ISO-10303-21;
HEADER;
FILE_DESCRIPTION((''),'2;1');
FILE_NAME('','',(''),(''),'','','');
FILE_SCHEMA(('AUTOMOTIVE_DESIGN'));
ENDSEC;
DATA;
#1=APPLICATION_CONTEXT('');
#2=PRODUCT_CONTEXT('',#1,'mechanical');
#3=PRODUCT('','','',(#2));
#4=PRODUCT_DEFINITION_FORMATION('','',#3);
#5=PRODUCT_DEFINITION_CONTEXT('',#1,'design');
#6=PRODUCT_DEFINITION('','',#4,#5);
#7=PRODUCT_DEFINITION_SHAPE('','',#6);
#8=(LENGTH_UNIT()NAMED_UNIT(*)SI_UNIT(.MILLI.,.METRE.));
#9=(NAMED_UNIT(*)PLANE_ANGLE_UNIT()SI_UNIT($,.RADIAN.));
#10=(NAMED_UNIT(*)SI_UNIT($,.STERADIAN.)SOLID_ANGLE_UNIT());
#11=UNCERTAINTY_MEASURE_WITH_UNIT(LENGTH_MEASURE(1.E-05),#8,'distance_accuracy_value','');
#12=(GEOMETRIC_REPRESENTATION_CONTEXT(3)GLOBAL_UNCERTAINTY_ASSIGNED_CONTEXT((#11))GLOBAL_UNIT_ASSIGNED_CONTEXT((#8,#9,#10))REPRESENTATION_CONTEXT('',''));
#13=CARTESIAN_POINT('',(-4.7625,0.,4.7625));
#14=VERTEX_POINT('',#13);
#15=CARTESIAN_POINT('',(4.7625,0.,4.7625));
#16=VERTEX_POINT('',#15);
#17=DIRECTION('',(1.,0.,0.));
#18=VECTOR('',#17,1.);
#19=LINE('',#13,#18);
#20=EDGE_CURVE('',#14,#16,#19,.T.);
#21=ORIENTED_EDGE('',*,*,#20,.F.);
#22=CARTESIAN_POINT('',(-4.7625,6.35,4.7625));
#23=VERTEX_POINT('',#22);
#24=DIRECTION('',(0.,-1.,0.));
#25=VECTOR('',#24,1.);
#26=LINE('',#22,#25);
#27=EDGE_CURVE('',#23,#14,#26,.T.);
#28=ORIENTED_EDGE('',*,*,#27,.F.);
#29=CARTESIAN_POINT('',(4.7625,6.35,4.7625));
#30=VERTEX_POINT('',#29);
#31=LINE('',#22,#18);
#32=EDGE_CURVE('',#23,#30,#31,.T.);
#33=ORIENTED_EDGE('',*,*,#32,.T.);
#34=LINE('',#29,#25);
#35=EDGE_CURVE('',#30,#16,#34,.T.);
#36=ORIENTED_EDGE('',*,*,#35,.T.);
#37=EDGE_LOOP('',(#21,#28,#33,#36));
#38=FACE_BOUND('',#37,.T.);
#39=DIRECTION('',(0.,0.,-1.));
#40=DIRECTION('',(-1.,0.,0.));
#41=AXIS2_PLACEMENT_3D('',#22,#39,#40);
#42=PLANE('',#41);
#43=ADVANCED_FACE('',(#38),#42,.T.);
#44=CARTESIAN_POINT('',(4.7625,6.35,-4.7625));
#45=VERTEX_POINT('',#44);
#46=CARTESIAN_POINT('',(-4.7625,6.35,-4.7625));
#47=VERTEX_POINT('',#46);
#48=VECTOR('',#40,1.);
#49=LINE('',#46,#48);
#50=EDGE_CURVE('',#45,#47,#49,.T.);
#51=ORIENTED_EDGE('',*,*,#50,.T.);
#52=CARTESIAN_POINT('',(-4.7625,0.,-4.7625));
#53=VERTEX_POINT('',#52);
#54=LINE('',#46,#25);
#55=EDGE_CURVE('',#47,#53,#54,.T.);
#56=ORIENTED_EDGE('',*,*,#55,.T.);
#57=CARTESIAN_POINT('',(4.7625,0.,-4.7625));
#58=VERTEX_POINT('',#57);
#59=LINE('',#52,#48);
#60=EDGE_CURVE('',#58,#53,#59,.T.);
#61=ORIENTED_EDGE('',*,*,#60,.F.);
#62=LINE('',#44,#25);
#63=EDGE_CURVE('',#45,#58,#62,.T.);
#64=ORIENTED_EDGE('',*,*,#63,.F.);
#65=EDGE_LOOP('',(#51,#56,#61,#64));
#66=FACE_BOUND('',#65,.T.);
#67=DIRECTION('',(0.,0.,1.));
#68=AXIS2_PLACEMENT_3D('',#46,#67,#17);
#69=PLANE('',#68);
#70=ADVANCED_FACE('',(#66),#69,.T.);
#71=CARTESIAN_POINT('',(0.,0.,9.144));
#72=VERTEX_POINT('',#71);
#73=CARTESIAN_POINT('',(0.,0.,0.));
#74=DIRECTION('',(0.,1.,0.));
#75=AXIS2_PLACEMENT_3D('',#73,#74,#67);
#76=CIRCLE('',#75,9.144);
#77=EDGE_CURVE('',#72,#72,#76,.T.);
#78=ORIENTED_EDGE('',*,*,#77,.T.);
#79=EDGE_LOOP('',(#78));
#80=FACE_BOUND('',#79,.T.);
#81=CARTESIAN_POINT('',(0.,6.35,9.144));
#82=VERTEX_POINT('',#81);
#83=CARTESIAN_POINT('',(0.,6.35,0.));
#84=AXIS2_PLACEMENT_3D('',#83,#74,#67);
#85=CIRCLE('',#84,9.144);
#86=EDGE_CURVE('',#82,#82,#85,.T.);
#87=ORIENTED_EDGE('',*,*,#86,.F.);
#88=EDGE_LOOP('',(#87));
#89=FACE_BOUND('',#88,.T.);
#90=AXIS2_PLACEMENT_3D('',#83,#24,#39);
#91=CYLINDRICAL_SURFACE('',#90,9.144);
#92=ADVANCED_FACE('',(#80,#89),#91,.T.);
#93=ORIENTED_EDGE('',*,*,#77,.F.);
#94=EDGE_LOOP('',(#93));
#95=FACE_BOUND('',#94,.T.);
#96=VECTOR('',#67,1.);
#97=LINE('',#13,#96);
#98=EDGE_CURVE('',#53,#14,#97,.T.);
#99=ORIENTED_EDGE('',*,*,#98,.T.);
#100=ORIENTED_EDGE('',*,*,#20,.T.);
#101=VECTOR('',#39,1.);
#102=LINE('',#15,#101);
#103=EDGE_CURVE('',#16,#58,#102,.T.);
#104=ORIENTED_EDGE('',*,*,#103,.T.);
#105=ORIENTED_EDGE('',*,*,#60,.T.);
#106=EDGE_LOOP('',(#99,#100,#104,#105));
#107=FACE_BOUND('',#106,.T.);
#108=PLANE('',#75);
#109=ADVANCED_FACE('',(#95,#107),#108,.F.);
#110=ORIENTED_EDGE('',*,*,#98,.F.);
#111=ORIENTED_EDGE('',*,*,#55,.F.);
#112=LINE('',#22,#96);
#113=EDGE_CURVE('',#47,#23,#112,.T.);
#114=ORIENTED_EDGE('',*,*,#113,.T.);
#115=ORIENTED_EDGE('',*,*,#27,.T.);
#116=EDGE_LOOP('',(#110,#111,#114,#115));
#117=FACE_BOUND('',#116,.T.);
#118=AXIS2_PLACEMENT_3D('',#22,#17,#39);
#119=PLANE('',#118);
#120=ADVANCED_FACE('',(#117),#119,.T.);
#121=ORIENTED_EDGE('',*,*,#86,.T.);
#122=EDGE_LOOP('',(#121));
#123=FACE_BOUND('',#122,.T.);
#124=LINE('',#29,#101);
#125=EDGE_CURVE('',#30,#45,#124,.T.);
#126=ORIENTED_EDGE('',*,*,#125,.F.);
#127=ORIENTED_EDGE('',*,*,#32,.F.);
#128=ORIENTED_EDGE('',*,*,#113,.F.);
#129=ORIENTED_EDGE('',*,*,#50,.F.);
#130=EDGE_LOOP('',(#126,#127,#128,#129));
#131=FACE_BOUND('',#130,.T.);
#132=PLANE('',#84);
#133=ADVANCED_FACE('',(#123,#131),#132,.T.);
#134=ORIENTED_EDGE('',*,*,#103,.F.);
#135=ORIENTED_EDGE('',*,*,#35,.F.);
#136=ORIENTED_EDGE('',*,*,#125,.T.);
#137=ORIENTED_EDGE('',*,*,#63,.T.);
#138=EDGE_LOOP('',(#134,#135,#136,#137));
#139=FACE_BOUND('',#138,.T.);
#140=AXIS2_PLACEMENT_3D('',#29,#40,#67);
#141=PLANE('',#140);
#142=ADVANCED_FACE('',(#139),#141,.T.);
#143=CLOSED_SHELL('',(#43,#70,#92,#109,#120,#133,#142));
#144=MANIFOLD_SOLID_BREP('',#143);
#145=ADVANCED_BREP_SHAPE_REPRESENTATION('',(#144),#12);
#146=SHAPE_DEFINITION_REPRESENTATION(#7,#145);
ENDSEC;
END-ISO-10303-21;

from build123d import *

# Parameters (mm, degrees)
SKETCH1_R           = 9.144
SKETCH1_W           = 9.525
SKETCH1_H           = 9.525
BOSS_EXTRUDE1_DEPTH = 6.35


with BuildPart() as part:
    # Sketch1 → Boss-Extrude1 (new body)
    with BuildSketch(Plane(origin=(0, 0, 0), x_dir=(1, 0, 0), z_dir=(0, 1, 0))):
        with Locations(Location((0, 0, 0), (0, 0, 270))):
            Circle(SKETCH1_R)
        Rectangle(SKETCH1_W, SKETCH1_H, mode=Mode.SUBTRACT)
    extrude(amount=BOSS_EXTRUDE1_DEPTH)


solid = part.part
